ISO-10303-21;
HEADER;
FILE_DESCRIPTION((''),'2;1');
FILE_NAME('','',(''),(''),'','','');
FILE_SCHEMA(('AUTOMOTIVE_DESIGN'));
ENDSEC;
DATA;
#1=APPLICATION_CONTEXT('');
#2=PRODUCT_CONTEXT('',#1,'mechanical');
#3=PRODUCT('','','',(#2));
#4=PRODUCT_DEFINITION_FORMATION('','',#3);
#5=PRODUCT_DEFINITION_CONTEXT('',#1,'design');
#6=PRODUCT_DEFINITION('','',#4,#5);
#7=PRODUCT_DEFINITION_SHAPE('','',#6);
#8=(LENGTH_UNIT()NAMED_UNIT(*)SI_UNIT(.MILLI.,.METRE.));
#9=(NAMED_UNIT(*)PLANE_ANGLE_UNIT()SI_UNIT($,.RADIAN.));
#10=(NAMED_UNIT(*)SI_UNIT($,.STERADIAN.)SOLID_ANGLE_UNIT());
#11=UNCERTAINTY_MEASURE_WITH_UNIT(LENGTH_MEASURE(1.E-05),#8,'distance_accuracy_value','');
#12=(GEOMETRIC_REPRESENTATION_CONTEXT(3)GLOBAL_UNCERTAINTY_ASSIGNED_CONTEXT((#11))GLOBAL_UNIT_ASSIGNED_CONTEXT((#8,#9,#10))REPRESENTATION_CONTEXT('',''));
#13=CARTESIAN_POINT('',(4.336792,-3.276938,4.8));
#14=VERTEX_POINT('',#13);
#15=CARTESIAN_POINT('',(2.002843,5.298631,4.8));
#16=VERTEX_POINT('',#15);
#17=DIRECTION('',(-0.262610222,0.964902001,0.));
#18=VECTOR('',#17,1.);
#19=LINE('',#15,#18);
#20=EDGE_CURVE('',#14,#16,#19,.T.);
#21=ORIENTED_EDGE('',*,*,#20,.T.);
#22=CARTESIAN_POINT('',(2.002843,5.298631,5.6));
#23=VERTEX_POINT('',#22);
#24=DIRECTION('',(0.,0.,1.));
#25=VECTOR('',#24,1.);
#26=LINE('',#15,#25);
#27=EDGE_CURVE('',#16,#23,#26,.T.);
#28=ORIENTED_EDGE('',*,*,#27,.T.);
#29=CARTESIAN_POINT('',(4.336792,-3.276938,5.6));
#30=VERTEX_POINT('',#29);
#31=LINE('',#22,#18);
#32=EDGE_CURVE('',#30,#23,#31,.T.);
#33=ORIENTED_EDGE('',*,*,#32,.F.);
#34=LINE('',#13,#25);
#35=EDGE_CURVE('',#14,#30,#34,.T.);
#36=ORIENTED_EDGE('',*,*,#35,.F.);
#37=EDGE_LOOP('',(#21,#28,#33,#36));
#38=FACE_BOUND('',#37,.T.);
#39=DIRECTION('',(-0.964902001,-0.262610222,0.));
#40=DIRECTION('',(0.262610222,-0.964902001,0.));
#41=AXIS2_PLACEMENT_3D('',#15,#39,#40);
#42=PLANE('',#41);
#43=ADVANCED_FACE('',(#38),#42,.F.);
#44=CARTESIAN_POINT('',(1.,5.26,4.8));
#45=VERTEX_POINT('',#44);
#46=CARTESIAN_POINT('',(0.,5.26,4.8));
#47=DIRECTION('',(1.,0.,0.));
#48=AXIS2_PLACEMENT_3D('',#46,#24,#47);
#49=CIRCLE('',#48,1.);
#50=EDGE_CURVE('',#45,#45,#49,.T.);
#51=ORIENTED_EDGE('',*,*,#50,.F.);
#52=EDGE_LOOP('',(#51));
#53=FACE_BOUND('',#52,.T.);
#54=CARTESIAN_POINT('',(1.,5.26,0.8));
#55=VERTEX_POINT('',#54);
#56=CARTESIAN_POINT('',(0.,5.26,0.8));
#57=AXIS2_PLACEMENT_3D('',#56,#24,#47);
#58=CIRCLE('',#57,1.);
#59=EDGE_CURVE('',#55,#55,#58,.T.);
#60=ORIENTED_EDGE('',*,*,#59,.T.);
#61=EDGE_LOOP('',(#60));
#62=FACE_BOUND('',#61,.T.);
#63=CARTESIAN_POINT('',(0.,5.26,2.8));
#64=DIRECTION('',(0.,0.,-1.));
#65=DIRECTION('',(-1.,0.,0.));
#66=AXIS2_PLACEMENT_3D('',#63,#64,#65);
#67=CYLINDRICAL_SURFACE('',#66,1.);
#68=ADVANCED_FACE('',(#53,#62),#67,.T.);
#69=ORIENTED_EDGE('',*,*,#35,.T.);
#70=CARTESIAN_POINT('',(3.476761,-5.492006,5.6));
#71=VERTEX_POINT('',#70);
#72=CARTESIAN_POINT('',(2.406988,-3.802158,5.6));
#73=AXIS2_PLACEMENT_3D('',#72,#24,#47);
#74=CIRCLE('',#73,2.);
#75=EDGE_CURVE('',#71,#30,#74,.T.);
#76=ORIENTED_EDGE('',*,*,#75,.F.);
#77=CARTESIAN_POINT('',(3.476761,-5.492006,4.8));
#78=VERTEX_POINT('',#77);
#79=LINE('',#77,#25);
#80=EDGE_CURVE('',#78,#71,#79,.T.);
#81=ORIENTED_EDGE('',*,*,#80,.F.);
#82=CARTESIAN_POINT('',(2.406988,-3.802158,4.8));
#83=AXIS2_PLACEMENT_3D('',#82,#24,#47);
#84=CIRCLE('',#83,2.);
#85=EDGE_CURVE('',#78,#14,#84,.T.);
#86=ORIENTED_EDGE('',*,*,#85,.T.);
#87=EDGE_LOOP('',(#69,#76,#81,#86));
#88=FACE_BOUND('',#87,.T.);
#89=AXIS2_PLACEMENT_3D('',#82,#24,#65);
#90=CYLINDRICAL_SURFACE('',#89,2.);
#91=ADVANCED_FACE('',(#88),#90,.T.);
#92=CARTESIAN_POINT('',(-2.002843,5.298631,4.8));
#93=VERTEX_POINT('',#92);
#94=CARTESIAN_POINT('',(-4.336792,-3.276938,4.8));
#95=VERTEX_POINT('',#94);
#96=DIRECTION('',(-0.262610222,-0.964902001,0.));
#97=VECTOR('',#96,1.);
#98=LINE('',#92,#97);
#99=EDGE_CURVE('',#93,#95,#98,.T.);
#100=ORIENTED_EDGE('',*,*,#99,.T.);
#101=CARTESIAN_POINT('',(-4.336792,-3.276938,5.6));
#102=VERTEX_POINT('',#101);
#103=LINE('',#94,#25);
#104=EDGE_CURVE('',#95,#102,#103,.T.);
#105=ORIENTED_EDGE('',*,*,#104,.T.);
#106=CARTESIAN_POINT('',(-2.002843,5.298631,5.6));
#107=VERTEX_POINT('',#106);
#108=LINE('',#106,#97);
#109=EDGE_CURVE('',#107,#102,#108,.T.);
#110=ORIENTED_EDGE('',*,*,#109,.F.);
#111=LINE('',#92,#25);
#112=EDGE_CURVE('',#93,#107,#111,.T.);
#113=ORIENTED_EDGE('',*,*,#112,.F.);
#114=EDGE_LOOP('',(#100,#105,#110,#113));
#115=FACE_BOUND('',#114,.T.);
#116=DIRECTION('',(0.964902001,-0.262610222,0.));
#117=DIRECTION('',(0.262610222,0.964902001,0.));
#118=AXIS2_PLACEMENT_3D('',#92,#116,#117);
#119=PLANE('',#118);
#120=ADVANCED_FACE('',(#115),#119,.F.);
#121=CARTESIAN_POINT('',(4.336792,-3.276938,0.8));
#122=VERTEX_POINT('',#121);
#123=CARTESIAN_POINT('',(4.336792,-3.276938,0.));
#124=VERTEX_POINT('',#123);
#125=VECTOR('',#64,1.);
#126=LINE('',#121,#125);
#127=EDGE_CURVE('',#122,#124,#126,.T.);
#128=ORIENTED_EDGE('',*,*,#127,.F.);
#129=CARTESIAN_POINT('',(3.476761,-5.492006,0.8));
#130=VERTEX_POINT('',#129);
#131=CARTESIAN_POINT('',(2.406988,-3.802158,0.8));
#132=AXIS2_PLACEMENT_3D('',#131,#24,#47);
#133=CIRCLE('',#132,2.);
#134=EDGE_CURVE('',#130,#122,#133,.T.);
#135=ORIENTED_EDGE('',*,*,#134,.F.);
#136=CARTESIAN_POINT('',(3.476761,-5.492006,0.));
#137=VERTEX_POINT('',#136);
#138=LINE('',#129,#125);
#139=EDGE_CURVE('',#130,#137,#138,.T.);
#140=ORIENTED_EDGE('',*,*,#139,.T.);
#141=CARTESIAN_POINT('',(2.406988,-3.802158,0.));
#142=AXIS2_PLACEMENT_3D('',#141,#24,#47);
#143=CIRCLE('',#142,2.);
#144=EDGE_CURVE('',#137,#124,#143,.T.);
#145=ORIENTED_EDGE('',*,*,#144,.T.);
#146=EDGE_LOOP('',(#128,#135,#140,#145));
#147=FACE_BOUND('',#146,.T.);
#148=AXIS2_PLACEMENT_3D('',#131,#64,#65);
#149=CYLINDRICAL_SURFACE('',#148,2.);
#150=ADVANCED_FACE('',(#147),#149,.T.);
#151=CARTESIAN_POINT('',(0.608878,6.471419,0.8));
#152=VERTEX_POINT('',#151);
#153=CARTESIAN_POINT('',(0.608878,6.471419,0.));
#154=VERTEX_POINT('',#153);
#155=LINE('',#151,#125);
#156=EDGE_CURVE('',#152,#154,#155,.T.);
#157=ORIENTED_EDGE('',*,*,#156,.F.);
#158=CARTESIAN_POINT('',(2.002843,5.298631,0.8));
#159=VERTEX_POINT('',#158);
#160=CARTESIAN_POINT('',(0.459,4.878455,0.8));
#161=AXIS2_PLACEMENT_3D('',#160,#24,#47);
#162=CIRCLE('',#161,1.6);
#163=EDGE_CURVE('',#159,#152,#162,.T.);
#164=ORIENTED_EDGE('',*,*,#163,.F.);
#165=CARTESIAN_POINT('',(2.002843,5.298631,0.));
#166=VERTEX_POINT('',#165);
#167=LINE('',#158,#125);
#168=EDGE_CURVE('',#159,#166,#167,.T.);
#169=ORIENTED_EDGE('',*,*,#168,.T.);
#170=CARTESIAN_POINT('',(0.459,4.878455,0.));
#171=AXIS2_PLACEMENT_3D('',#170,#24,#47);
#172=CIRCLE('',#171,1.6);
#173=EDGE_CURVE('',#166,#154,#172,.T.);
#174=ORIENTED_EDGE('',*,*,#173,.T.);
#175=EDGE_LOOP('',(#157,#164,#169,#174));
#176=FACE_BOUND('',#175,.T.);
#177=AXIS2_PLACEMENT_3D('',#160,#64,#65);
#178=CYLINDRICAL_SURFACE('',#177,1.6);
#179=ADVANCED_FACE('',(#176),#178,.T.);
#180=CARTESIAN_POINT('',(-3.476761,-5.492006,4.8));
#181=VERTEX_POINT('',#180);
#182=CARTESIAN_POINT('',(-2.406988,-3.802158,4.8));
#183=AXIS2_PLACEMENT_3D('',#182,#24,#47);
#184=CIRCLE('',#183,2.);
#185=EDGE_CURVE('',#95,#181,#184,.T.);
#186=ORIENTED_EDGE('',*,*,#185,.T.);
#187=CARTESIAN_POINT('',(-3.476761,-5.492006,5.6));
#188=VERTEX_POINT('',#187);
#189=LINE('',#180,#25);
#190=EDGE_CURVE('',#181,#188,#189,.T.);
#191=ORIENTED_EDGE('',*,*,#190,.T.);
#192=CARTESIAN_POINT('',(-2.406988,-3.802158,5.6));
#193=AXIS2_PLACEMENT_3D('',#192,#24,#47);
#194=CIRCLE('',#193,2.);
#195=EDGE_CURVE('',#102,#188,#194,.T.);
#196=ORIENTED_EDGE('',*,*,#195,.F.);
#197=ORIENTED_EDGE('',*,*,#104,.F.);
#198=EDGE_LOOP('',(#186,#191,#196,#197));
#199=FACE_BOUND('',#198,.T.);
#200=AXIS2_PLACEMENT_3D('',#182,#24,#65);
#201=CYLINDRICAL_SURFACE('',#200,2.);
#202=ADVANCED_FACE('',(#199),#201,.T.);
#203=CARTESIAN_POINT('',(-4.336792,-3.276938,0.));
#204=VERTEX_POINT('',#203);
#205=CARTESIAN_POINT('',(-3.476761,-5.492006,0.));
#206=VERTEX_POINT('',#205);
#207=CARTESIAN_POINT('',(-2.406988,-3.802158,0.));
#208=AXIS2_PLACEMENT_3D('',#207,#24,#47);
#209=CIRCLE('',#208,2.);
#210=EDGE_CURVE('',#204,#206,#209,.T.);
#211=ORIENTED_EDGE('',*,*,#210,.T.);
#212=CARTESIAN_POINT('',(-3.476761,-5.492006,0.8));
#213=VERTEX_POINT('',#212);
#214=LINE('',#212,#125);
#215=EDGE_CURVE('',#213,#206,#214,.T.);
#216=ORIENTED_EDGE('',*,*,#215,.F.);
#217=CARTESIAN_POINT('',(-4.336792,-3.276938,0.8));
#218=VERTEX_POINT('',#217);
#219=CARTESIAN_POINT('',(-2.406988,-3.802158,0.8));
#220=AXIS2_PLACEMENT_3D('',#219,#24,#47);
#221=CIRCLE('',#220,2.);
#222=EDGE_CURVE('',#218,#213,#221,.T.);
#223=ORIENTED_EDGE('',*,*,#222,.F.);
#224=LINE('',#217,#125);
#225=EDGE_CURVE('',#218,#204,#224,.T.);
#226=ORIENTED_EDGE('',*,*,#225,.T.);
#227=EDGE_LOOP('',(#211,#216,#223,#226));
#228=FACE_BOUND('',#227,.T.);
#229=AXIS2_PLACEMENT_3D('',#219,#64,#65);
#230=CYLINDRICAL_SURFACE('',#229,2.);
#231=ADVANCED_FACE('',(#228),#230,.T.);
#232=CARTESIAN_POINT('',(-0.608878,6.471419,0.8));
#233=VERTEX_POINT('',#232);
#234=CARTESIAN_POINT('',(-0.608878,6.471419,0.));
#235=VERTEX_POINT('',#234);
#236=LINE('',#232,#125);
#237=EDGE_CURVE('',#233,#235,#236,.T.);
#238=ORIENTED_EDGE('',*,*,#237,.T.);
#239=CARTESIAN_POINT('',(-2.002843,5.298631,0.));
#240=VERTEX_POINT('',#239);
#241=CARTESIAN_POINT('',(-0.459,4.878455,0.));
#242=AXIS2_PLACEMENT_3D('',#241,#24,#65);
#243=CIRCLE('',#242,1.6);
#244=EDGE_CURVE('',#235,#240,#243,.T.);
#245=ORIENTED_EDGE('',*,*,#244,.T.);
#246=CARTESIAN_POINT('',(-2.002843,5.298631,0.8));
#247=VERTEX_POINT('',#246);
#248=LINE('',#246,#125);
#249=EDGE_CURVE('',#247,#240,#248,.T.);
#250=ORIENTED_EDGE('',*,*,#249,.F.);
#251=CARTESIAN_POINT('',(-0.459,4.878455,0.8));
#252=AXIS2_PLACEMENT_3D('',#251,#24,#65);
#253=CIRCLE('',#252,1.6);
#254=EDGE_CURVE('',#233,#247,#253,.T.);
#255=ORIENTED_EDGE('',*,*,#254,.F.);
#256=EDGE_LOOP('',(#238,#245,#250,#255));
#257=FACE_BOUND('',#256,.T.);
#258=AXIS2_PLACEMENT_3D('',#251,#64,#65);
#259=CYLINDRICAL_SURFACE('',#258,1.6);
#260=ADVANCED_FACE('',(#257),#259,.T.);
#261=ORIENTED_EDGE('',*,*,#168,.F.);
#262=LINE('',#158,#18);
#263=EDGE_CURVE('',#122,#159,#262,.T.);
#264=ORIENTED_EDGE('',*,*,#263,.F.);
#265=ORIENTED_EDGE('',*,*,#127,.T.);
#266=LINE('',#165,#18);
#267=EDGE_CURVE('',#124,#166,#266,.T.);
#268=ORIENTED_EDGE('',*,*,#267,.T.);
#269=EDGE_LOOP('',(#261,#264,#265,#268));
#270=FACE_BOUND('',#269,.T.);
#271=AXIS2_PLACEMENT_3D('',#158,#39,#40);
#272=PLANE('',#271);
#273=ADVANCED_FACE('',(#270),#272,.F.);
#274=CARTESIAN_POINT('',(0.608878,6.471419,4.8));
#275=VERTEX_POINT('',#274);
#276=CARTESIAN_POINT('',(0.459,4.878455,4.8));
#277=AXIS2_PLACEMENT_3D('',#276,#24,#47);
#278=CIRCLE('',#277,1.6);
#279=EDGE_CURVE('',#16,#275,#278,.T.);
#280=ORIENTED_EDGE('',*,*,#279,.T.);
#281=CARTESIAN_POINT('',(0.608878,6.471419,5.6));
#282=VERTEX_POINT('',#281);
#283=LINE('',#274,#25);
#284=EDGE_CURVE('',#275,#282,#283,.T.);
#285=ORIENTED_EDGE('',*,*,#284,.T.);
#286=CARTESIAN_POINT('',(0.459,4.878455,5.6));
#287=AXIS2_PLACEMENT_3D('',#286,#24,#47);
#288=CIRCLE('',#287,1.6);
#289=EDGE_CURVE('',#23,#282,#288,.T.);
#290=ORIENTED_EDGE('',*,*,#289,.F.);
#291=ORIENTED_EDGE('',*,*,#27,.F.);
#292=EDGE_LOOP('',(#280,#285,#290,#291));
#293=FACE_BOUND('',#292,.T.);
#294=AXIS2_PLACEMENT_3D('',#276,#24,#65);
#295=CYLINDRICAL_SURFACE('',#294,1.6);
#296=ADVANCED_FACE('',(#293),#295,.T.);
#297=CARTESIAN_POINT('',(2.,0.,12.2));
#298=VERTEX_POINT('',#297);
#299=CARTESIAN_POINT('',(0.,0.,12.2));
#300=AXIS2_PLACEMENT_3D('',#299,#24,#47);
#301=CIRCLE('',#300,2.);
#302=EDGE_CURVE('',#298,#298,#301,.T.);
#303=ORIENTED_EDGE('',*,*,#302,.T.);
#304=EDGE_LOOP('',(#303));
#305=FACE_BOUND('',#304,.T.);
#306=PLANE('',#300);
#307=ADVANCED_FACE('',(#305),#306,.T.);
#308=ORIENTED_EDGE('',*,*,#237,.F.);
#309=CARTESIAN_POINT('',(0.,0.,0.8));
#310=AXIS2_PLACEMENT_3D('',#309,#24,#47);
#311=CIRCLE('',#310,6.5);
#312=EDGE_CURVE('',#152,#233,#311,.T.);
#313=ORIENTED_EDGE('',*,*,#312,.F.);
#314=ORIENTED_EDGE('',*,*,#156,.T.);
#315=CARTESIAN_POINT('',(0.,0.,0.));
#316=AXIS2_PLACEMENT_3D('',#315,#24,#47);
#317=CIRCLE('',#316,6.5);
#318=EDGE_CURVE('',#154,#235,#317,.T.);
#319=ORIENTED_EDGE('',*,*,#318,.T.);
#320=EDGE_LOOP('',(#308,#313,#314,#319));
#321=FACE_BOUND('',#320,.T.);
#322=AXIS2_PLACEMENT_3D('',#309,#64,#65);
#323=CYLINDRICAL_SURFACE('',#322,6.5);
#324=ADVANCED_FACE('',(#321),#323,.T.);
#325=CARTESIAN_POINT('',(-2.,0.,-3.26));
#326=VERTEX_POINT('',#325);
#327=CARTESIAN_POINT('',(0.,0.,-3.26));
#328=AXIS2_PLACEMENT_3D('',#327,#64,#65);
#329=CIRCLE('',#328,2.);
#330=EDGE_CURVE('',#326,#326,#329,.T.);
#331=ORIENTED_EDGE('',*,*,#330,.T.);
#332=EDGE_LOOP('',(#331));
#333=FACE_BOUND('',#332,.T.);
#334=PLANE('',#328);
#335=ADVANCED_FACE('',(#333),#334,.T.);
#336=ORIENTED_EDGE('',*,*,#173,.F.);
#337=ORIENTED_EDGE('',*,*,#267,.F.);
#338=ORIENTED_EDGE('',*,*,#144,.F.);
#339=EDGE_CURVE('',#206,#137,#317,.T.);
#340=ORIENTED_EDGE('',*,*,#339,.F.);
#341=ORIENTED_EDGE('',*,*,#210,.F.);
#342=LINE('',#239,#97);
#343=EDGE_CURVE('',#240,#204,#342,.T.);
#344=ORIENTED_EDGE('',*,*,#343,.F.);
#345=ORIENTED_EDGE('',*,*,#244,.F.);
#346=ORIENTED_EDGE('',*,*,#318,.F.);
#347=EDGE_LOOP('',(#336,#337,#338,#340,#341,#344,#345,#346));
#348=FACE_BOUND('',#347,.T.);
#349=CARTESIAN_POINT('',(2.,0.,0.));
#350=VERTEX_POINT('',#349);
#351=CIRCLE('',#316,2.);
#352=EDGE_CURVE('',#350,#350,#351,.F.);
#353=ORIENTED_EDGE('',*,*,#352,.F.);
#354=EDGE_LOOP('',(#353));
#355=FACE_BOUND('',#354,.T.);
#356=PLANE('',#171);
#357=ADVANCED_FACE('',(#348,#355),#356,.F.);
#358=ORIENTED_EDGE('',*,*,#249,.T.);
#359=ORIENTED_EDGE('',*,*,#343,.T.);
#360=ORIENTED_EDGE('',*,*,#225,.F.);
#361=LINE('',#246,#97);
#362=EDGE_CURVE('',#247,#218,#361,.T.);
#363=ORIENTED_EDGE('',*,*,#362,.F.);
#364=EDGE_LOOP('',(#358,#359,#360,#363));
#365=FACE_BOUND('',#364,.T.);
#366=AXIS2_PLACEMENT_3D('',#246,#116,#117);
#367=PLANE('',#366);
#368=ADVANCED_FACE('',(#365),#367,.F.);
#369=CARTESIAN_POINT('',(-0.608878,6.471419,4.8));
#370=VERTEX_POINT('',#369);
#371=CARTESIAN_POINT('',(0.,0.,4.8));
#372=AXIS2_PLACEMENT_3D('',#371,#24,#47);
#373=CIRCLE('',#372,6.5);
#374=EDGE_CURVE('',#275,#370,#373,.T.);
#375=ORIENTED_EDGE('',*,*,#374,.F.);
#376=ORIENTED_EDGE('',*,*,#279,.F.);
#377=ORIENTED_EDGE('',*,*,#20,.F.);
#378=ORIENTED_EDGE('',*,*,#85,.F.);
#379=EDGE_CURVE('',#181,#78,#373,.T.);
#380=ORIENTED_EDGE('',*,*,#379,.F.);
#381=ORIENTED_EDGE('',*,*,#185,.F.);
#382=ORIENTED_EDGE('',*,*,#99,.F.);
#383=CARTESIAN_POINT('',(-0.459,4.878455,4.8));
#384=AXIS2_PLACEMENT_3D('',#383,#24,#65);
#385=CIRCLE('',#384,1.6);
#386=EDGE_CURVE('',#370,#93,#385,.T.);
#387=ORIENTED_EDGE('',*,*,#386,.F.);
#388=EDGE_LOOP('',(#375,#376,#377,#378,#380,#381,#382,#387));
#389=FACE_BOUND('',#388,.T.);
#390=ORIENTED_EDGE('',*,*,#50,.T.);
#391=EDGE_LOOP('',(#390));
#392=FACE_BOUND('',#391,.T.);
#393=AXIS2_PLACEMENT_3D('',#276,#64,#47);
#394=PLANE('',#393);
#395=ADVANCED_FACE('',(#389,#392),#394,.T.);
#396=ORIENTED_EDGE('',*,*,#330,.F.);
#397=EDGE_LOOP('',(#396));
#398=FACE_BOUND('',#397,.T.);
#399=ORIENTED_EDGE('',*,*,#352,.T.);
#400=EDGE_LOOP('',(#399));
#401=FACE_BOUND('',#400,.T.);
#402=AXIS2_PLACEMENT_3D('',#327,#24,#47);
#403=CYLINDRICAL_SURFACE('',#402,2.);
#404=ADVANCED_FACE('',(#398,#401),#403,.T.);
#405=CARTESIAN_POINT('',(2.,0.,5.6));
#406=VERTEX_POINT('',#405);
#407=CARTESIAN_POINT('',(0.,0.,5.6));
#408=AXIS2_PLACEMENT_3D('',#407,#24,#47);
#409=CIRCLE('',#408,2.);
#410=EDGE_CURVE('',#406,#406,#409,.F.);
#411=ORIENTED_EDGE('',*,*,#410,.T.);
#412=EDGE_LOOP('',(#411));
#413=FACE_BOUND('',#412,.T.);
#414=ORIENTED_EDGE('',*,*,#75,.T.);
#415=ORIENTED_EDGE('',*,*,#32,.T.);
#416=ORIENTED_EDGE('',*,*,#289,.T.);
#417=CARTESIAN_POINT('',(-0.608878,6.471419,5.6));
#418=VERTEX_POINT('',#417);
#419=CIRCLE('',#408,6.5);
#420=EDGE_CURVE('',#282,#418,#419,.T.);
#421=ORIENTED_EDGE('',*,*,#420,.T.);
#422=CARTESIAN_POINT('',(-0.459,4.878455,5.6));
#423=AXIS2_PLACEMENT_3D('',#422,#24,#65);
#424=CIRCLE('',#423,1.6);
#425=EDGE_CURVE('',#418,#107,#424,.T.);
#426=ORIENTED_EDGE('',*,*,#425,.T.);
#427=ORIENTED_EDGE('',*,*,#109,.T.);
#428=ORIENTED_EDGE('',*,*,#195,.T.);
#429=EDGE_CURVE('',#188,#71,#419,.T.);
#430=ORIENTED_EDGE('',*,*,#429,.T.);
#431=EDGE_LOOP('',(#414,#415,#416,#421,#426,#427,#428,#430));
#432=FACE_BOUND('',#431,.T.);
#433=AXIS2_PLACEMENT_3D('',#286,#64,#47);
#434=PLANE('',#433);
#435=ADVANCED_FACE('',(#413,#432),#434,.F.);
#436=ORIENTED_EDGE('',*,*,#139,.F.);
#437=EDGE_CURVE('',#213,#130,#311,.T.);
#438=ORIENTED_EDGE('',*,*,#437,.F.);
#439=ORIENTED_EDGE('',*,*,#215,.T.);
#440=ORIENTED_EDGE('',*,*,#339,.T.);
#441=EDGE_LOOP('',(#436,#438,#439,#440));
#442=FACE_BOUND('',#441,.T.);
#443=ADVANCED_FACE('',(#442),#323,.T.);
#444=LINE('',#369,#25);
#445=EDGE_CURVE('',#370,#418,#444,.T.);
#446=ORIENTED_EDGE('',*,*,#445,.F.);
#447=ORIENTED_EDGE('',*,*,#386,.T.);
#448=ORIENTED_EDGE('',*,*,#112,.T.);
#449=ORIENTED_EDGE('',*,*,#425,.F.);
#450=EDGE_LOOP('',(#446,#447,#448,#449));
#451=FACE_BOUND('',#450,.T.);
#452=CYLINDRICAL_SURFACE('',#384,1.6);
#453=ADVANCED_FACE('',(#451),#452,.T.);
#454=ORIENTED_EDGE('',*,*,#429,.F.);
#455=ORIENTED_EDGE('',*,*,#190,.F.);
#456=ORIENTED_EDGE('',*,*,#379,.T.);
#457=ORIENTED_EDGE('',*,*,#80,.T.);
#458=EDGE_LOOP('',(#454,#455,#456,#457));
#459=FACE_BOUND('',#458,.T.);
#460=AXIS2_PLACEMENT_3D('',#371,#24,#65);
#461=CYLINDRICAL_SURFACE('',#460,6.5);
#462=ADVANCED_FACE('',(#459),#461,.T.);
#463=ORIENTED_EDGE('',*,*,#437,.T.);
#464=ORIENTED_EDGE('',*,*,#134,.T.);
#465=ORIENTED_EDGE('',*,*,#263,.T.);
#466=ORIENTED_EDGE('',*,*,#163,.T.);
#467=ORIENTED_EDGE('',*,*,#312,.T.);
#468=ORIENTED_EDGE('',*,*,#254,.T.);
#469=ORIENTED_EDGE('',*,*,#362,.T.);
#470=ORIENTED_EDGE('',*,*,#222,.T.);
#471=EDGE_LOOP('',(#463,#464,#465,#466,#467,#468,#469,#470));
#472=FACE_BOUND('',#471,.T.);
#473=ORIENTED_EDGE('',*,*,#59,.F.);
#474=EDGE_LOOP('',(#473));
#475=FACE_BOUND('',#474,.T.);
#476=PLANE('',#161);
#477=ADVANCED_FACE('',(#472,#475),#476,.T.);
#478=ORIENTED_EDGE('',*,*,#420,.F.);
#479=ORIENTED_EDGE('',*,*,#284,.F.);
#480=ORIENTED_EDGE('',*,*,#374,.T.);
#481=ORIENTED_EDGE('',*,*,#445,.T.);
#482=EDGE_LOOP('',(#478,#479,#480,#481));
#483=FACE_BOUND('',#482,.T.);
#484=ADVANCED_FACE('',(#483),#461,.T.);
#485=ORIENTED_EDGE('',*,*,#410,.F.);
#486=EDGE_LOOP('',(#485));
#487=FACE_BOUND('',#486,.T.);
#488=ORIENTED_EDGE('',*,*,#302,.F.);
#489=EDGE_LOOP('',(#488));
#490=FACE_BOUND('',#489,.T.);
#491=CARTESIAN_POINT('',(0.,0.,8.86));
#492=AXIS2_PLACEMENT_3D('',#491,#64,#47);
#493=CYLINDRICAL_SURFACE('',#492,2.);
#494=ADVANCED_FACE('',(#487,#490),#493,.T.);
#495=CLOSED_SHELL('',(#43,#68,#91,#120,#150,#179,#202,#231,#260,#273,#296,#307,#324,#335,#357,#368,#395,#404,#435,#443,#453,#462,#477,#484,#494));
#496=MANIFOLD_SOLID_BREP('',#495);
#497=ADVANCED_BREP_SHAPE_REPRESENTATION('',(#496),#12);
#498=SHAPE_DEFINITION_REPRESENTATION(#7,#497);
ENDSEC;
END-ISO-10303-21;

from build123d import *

# Parameters (mm, degrees)
BOSS_EXTRUDE1_DEPTH = 0.8
SKETCH2_R           = 1
BOSS_EXTRUDE2_DEPTH = 2
SKETCH3_R           = 2
BOSS_EXTRUDE3_DEPTH = 3.26
SKETCH6_R           = 2
BOSS_EXTRUDE4_DEPTH = 3.34


with BuildPart() as part:
    # Sketch1 → Boss-Extrude1 (new body)
    with BuildSketch(Plane.XY):
        with BuildLine():
            Line((-2.002843202, 5.298630925), (-4.336792166, -3.276937888))
            ThreePointArc((-4.336792166, -3.276937888), (-4.27139076, -4.52603882), (-3.476760681, -5.492006479))
            ThreePointArc((-3.476760681, -5.492006479), (0, -6.5), (3.476760681, -5.492006479))
            ThreePointArc((3.476760681, -5.492006479), (4.27139076, -4.52603882), (4.336792166, -3.276937888))
            Line((4.336792166, -3.276937888), (2.002843202, 5.298630925))
            ThreePointArc((2.002843202, 5.298630925), (1.489063424, 6.102778606), (0.608877551, 6.471419329))
            ThreePointArc((0.608877551, 6.471419329), (0, 6.5), (-0.608877551, 6.471419329))
            ThreePointArc((-0.608877551, 6.471419329), (-1.489063424, 6.102778606), (-2.002843202, 5.298630925))
        make_face()
    extrude(amount=BOSS_EXTRUDE1_DEPTH)

    # Sketch2 → Boss-Extrude2 (add)
    with BuildSketch(Plane.XY.offset(0.8)):
        with Locations((0, 5.26)):
            Circle(SKETCH2_R)
    extrude(amount=BOSS_EXTRUDE2_DEPTH)

    # Sketch3 → Boss-Extrude3 (add)
    with BuildSketch(Plane(origin=(0, 0, 0), x_dir=(-1, 0, 0), z_dir=(0, 0, -1))):
        Circle(SKETCH3_R)
    extrude(amount=BOSS_EXTRUDE3_DEPTH)

    # Mirror1: part across plane


with BuildPart() as part_1:
    add(part.part)
    add(part.part.mirror(Plane(origin=(0, 5.26, 2.8), x_dir=(1, 0, 0), z_dir=(0, 0, 1))))

    # Sketch6 → Boss-Extrude4 (add)
    with BuildSketch(Plane.XY.offset(8.86)):
        Circle(SKETCH6_R)
    extrude(amount=BOSS_EXTRUDE4_DEPTH)


solid = part_1.part
